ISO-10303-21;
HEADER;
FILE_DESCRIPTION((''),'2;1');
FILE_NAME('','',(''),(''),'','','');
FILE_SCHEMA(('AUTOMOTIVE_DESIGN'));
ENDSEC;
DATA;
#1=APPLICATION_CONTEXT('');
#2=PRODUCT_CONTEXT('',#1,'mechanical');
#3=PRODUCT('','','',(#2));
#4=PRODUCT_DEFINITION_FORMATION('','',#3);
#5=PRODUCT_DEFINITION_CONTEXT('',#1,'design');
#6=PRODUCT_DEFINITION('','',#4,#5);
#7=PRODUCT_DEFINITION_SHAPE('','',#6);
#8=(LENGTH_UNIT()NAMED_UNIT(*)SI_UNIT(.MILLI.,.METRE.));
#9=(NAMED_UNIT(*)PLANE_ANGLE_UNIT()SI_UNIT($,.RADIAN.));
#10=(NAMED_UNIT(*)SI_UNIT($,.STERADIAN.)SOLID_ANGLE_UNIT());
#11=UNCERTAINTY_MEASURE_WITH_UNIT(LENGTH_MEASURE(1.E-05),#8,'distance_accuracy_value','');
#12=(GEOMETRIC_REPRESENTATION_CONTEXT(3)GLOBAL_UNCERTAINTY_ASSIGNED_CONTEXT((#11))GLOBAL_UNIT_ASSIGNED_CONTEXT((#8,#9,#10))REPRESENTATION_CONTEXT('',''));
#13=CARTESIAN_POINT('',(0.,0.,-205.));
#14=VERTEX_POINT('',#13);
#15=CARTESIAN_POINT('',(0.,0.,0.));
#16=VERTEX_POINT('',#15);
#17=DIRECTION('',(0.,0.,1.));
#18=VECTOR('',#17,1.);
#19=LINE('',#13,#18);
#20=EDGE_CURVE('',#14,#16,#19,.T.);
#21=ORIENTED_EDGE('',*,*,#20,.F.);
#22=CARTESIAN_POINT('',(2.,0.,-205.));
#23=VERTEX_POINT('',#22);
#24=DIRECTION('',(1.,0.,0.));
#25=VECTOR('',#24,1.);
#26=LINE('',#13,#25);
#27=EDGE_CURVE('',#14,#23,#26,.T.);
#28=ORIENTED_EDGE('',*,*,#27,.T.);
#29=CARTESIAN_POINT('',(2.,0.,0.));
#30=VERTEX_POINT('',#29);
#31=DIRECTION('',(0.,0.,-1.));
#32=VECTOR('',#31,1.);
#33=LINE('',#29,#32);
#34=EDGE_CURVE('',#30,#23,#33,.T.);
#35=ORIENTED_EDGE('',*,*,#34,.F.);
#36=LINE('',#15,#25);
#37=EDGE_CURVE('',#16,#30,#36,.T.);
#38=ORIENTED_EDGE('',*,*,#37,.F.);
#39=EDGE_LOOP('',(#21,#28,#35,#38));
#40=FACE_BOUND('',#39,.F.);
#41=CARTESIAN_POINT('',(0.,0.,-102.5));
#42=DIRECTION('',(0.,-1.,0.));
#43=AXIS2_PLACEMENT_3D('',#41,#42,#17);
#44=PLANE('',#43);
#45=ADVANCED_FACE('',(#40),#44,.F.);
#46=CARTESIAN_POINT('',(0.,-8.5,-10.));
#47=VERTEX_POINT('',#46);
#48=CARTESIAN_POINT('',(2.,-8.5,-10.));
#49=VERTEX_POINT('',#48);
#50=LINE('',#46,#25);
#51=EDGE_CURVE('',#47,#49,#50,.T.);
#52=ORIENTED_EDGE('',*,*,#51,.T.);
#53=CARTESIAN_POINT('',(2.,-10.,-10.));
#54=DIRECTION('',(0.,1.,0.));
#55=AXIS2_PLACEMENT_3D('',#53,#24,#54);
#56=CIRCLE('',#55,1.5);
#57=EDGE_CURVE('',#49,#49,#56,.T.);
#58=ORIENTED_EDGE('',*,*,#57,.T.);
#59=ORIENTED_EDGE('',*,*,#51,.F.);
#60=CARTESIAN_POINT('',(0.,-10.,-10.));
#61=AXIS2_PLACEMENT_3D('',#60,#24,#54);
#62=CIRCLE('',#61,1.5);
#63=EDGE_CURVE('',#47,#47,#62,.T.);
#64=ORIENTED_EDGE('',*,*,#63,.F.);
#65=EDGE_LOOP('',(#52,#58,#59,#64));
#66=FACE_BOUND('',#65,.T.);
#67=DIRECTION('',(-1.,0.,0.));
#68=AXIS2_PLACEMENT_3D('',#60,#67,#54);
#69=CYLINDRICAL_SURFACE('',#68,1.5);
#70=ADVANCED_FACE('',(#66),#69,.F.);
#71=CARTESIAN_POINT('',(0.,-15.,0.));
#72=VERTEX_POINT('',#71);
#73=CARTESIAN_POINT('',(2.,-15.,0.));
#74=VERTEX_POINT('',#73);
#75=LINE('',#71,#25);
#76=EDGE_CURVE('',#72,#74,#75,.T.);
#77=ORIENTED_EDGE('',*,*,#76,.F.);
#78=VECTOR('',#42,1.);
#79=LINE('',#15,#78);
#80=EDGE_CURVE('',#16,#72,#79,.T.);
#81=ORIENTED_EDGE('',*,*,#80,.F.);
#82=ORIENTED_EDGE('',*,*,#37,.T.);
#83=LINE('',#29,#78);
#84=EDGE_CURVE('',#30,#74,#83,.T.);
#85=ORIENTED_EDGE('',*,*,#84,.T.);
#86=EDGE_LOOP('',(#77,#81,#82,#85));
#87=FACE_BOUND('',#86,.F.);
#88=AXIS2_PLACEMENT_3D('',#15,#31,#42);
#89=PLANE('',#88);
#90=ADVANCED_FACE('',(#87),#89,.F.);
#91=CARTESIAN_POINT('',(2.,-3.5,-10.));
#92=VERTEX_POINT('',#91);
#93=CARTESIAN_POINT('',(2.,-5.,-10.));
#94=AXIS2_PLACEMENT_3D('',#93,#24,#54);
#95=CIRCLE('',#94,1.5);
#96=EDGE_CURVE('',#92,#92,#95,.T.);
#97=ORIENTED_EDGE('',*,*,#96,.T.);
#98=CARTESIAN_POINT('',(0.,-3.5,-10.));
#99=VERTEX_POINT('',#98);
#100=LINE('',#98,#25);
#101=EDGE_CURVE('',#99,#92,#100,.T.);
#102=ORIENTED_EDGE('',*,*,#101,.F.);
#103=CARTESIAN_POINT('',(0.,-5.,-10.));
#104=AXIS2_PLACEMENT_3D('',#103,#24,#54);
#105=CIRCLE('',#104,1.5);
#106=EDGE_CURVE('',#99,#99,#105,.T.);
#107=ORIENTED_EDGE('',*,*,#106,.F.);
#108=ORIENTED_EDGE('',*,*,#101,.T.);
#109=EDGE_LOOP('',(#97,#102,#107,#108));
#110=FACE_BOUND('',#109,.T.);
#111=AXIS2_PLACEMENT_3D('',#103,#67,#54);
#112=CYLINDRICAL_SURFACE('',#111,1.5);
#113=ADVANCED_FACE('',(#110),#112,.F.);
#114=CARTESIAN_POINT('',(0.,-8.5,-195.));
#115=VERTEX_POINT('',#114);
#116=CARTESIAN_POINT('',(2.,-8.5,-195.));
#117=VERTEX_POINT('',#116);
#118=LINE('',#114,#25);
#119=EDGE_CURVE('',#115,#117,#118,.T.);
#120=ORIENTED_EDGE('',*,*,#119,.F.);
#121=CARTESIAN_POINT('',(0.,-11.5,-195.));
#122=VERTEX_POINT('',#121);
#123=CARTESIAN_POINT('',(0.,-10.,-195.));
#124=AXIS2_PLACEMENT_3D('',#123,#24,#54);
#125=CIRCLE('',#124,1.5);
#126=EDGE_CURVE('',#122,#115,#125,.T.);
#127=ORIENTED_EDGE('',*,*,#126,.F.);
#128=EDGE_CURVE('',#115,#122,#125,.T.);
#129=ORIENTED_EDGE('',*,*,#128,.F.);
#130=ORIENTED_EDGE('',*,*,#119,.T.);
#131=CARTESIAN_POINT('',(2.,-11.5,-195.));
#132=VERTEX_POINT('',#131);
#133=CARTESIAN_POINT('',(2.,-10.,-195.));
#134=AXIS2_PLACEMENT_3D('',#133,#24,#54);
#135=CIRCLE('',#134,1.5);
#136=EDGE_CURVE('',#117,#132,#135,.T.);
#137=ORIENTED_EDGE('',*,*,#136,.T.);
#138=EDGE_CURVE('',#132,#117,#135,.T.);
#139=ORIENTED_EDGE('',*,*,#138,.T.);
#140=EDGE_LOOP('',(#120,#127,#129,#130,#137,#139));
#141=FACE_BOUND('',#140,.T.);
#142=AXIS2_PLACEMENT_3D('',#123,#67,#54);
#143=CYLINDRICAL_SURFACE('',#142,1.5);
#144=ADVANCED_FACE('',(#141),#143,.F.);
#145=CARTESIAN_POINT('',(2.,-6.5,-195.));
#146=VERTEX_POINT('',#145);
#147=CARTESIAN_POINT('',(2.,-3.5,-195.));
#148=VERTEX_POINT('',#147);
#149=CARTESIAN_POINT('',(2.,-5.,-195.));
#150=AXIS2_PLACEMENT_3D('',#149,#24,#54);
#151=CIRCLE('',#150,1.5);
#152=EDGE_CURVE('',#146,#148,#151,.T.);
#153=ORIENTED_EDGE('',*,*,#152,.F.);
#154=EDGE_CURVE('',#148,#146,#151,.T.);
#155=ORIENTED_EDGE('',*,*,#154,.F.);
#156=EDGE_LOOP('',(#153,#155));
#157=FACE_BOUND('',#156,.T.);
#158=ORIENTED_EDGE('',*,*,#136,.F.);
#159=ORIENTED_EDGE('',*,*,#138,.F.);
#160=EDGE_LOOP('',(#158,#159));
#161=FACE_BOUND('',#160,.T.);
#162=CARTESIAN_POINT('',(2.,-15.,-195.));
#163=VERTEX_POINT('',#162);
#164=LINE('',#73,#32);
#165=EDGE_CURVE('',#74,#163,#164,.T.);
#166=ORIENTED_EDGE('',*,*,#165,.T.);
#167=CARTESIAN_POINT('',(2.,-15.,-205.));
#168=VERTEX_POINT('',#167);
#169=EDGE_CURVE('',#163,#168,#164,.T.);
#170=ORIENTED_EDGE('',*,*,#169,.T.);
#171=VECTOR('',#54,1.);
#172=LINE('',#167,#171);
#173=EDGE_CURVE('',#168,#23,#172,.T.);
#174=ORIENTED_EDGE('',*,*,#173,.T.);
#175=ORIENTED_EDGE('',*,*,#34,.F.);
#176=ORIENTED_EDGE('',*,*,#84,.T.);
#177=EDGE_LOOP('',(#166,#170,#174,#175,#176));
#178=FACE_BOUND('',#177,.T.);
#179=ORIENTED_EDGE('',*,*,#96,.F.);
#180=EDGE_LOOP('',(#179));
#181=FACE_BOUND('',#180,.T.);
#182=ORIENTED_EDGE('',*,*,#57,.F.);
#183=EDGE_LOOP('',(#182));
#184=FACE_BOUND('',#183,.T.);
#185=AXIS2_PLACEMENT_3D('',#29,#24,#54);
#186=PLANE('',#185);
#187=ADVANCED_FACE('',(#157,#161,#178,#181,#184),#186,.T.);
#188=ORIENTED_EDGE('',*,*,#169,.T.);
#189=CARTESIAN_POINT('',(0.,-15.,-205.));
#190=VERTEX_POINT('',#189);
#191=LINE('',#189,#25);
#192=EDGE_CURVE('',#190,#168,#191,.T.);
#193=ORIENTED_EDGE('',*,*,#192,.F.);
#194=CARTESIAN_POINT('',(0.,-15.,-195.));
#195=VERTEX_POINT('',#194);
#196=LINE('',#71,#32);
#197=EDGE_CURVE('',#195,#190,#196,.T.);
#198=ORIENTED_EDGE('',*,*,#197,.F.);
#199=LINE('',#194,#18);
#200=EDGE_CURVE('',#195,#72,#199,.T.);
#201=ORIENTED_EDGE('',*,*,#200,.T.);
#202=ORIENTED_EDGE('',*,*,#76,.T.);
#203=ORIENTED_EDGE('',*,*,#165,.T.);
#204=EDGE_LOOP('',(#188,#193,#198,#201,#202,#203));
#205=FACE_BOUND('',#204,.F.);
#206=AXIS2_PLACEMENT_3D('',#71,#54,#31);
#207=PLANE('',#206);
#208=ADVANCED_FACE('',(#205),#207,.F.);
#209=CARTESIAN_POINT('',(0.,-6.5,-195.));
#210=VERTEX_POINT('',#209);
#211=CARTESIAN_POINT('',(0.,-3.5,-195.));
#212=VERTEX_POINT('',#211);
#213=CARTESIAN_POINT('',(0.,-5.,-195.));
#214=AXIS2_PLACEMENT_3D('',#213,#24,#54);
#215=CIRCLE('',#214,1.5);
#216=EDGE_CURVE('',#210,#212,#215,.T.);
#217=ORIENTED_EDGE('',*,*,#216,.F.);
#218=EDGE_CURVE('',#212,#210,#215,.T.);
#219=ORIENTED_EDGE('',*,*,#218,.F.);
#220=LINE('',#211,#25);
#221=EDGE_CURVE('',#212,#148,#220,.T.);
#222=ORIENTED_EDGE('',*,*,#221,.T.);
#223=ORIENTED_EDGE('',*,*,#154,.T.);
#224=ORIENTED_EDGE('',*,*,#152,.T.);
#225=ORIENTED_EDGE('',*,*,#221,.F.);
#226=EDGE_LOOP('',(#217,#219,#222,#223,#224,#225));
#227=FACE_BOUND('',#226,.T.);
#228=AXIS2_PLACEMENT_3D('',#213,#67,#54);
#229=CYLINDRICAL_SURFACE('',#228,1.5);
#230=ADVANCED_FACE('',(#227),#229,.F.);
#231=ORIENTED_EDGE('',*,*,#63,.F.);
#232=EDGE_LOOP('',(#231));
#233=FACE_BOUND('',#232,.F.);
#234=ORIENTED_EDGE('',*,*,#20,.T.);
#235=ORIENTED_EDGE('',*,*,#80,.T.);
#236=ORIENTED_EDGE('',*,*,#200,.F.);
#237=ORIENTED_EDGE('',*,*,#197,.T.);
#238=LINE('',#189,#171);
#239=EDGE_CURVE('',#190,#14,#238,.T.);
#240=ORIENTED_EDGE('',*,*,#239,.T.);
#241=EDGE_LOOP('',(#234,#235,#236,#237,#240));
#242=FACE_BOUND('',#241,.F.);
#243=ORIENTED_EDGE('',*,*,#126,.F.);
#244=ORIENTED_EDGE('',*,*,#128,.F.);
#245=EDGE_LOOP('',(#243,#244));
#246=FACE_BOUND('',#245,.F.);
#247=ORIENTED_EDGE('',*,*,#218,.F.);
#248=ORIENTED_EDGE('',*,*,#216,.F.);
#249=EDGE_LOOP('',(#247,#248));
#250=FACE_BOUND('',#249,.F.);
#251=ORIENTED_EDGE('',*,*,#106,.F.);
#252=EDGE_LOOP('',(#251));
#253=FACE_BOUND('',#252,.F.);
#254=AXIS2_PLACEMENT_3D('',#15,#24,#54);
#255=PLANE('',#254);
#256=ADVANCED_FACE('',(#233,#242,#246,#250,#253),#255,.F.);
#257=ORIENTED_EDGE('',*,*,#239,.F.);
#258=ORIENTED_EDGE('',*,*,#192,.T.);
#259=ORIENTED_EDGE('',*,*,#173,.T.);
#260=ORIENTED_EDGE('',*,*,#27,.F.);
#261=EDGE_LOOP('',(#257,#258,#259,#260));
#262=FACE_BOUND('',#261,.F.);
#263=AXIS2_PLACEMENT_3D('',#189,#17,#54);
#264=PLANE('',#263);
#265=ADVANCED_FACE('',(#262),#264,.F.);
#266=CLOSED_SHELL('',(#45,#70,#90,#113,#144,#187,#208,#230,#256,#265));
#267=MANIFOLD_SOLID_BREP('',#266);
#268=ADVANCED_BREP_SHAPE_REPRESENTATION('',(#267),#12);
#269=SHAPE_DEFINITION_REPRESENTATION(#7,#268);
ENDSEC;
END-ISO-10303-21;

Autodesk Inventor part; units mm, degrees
ref_plane "YZ Plane" through (0, 0, 0) normal (1, 0, 0) x (0, 1, 0)
ref_plane "XZ Plane" through (0, 0, 0) normal (0, 1, 0) x (-1, 0, 0)
ref_plane "XY Plane" through (0, 0, 0) normal (0, 0, 1) x (1, 0, 0)
sketch "Sketch1" plane through (0, 0, 0) normal (1, 0, 0) x (0, 1, 0)
  line L0 (0, 0) -> (-15, 0)
  line L1 (-15, 0) -> (-15, -205)
  line L2 (-15, -205) -> (0, -205)
  line L3 (0, -205) -> (0, 0)
  line L4 (-15, -205) -> (-15, -195)
  line L5 (-15, -195) -> (-10, -195)
  circle A0 centre (-10, -195) radius 1.5
  line L6 (-10, -195) -> (-5, -195)
  circle A1 centre (-5, -195) radius 1.5
  line L7 (0, -102.5) -> (-15, -102.5)
  circle A2 centre (-10, -10) radius 1.5
  circle A3 centre (-5, -10) radius 1.5
  dimension "d0" = 15
  dimension "d1" = 205
  dimension "d2" = 10
  dimension "d3" = 5
  dimension "d4" = 3
  dimension "d5" = 5
  dimension "d6" = 3
extrude "Extrusion1" add sketch "Sketch1" along normal blind 2
properties part number "plateHolder2"
